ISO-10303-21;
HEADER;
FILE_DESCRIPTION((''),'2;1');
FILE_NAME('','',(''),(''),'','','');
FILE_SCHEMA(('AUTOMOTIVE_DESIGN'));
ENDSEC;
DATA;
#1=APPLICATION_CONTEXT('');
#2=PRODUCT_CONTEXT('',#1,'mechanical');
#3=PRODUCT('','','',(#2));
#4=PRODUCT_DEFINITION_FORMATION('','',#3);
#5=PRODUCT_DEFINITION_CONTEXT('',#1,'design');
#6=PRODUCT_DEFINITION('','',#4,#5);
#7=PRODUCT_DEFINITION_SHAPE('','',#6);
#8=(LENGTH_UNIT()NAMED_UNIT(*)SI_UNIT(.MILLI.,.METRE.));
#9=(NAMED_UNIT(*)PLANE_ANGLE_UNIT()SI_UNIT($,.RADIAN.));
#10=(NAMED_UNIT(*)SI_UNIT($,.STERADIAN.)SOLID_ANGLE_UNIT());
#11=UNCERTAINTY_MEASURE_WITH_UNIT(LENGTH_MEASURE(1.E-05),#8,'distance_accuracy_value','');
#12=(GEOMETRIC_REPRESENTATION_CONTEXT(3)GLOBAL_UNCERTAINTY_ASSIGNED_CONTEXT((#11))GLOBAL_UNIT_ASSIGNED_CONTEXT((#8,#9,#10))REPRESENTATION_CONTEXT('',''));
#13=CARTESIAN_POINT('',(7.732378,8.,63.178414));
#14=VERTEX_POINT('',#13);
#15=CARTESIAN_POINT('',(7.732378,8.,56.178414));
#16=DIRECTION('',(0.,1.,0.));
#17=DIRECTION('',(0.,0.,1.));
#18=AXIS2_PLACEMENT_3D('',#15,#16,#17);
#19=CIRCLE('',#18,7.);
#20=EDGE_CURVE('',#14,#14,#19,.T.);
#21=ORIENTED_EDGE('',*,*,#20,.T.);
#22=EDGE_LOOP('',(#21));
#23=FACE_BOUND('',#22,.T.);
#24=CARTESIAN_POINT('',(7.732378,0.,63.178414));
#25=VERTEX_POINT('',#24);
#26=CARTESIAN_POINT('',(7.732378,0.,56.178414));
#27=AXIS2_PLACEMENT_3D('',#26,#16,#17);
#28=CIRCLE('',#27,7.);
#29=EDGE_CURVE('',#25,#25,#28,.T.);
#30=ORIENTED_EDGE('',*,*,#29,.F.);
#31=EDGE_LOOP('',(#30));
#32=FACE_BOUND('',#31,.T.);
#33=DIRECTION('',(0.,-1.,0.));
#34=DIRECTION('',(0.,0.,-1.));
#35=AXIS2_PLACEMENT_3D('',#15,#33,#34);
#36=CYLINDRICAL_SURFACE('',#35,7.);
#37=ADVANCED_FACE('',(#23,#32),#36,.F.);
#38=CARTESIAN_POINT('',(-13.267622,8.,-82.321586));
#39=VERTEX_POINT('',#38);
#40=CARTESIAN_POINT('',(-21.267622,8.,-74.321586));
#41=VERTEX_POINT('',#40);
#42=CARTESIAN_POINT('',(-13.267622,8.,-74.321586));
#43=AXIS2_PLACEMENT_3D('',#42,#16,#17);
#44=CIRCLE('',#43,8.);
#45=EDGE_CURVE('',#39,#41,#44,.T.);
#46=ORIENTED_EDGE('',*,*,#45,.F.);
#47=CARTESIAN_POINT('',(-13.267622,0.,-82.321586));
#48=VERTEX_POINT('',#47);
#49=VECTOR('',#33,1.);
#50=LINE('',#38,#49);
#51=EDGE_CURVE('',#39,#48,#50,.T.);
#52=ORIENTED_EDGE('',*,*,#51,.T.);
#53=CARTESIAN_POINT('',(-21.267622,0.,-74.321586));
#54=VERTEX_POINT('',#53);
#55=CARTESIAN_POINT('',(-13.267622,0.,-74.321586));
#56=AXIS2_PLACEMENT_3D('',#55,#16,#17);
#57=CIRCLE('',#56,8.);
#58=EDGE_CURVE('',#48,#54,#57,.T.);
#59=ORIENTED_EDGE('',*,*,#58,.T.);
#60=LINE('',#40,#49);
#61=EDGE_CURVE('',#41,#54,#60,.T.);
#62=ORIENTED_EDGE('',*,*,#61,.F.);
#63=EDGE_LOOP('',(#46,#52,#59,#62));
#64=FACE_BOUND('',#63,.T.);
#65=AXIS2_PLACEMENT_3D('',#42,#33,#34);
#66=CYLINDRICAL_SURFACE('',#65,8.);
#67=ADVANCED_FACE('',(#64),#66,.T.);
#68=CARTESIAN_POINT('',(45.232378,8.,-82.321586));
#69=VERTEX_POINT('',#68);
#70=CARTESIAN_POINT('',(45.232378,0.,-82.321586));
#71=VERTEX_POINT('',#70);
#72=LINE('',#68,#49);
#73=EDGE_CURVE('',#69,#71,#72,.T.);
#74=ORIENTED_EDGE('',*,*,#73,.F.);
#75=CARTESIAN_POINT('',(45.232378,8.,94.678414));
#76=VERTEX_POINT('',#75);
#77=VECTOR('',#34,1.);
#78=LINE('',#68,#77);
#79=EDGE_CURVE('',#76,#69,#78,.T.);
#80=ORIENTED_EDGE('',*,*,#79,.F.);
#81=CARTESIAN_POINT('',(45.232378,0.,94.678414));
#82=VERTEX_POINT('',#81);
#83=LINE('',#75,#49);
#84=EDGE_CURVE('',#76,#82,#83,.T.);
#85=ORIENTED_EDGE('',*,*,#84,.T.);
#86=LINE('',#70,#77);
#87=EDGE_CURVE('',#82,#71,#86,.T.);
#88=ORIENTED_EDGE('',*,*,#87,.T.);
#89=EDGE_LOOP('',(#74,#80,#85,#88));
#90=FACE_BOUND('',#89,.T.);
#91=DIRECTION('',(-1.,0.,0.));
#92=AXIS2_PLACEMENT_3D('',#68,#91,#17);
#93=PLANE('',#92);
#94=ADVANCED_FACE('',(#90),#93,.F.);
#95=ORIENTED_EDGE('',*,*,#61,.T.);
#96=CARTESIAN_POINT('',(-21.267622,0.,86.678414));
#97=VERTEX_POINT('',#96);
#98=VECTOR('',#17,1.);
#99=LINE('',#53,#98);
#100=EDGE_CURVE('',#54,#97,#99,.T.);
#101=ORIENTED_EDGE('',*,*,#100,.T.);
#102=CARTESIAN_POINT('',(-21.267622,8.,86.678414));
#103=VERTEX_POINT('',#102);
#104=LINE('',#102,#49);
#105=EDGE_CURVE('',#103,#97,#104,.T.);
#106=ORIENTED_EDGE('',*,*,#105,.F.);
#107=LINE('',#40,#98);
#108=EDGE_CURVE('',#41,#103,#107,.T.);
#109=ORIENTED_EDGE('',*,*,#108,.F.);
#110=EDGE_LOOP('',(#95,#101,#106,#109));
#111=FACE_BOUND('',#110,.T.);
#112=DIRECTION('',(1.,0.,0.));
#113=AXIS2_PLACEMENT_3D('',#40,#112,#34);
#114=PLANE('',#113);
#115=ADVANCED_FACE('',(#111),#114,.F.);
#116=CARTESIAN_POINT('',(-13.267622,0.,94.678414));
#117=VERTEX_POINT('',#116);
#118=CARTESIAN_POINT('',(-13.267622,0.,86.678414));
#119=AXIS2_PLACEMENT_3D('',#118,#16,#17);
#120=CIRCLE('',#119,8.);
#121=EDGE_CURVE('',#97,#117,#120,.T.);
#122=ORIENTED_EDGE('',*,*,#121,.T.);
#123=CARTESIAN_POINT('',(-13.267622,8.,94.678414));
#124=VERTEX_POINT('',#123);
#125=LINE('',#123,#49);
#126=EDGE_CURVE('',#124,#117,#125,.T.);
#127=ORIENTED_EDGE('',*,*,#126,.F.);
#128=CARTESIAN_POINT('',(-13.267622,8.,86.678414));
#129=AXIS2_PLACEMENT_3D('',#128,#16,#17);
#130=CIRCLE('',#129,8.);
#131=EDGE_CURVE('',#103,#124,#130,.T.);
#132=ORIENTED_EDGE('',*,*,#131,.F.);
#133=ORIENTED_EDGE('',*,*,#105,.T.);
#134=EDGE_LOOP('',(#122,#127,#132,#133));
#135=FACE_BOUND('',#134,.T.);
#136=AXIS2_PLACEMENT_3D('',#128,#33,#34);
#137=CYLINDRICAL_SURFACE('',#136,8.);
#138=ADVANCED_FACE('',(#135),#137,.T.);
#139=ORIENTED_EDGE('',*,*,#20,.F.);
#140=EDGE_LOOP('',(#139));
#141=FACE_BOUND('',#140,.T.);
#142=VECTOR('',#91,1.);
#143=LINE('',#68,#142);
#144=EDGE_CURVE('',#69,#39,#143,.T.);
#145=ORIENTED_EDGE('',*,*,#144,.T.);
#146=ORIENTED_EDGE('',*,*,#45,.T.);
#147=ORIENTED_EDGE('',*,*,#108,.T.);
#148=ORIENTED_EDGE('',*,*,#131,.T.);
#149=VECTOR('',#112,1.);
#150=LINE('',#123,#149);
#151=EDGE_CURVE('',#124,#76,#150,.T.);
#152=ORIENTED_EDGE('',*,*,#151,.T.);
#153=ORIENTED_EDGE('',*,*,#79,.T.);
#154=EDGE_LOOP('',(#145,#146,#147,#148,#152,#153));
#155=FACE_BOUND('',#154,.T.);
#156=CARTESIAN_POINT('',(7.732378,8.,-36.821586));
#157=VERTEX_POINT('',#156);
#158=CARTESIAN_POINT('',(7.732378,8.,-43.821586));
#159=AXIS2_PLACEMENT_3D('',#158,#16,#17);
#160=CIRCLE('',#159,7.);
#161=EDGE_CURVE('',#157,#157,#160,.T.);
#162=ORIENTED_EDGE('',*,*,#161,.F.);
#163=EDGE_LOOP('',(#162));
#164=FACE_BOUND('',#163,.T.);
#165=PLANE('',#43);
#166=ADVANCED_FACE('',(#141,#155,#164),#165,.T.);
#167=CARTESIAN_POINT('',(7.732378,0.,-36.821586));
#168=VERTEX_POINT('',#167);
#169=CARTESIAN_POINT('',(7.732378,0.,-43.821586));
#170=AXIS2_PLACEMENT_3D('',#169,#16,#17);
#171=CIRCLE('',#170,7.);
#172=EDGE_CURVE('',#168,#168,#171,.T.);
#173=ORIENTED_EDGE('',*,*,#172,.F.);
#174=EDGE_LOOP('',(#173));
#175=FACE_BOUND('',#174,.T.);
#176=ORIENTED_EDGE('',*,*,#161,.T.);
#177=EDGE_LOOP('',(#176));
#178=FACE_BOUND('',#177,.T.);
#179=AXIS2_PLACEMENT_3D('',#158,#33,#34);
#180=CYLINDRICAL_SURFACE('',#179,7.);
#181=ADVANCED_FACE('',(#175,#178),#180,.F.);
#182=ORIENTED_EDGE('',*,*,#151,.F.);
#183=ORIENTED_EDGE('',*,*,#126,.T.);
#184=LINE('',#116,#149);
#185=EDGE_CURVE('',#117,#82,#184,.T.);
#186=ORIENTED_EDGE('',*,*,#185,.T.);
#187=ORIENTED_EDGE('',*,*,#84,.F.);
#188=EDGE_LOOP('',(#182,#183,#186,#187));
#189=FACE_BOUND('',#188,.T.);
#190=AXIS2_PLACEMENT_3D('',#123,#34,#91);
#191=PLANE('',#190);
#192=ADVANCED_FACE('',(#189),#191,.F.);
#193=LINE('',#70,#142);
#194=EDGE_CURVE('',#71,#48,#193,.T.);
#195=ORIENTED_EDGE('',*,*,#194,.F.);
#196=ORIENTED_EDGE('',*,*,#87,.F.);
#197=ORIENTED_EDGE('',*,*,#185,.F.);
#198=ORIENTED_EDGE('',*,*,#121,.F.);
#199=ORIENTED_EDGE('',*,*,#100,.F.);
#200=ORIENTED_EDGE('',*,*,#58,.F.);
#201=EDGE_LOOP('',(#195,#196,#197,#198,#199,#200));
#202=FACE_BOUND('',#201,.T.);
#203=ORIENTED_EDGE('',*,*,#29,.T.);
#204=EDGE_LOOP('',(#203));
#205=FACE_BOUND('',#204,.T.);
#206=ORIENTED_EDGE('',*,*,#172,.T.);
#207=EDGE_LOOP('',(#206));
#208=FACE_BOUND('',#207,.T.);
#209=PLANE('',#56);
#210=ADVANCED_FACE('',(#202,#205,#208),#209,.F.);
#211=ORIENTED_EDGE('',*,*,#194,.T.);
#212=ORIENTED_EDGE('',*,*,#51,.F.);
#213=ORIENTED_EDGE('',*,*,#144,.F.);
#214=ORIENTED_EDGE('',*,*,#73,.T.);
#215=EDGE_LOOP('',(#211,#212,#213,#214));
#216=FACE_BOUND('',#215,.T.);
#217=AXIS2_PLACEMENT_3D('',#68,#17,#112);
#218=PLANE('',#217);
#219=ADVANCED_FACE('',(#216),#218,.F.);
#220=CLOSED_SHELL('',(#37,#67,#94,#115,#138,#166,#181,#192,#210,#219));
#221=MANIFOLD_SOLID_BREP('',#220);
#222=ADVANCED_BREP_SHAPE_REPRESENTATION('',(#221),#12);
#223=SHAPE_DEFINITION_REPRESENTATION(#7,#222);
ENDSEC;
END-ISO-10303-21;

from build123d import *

# Parameters (mm, degrees)
SKETCH1_R           = 7
BOSS_EXTRUDE1_DEPTH = 8


with BuildPart() as part:
    # Sketch1 → Boss-Extrude1 (new body)
    with BuildSketch(Plane(origin=(0, 0, 0), x_dir=(1, 0, 0), z_dir=(0, 1, 0))):
        with BuildLine():
            Line((45.232378219, 82.321586231), (45.232378219, -94.678413769))
            Line((45.232378219, -94.678413769), (-13.267621781, -94.678413769))
            ThreePointArc((-13.267621781, -94.678413769), (-18.924476031, -92.335268019), (-21.267621781, -86.678413769))
            Line((-21.267621781, -86.678413769), (-21.267621781, 74.321586231))
            ThreePointArc((-21.267621781, 74.321586231), (-18.924476031, 79.97844048), (-13.267621781, 82.321586231))
            Line((-13.267621781, 82.321586231), (45.232378219, 82.321586231))
        make_face()
        with Locations(Location((7.732378219, -56.178413769, 0), (0, 0, 270))):
            Circle(SKETCH1_R, mode=Mode.SUBTRACT)
        with Locations(Location((7.732378219, 43.821586231, 0), (0, 0, 270))):
            Circle(SKETCH1_R, mode=Mode.SUBTRACT)
    extrude(amount=BOSS_EXTRUDE1_DEPTH)


solid = part.part
